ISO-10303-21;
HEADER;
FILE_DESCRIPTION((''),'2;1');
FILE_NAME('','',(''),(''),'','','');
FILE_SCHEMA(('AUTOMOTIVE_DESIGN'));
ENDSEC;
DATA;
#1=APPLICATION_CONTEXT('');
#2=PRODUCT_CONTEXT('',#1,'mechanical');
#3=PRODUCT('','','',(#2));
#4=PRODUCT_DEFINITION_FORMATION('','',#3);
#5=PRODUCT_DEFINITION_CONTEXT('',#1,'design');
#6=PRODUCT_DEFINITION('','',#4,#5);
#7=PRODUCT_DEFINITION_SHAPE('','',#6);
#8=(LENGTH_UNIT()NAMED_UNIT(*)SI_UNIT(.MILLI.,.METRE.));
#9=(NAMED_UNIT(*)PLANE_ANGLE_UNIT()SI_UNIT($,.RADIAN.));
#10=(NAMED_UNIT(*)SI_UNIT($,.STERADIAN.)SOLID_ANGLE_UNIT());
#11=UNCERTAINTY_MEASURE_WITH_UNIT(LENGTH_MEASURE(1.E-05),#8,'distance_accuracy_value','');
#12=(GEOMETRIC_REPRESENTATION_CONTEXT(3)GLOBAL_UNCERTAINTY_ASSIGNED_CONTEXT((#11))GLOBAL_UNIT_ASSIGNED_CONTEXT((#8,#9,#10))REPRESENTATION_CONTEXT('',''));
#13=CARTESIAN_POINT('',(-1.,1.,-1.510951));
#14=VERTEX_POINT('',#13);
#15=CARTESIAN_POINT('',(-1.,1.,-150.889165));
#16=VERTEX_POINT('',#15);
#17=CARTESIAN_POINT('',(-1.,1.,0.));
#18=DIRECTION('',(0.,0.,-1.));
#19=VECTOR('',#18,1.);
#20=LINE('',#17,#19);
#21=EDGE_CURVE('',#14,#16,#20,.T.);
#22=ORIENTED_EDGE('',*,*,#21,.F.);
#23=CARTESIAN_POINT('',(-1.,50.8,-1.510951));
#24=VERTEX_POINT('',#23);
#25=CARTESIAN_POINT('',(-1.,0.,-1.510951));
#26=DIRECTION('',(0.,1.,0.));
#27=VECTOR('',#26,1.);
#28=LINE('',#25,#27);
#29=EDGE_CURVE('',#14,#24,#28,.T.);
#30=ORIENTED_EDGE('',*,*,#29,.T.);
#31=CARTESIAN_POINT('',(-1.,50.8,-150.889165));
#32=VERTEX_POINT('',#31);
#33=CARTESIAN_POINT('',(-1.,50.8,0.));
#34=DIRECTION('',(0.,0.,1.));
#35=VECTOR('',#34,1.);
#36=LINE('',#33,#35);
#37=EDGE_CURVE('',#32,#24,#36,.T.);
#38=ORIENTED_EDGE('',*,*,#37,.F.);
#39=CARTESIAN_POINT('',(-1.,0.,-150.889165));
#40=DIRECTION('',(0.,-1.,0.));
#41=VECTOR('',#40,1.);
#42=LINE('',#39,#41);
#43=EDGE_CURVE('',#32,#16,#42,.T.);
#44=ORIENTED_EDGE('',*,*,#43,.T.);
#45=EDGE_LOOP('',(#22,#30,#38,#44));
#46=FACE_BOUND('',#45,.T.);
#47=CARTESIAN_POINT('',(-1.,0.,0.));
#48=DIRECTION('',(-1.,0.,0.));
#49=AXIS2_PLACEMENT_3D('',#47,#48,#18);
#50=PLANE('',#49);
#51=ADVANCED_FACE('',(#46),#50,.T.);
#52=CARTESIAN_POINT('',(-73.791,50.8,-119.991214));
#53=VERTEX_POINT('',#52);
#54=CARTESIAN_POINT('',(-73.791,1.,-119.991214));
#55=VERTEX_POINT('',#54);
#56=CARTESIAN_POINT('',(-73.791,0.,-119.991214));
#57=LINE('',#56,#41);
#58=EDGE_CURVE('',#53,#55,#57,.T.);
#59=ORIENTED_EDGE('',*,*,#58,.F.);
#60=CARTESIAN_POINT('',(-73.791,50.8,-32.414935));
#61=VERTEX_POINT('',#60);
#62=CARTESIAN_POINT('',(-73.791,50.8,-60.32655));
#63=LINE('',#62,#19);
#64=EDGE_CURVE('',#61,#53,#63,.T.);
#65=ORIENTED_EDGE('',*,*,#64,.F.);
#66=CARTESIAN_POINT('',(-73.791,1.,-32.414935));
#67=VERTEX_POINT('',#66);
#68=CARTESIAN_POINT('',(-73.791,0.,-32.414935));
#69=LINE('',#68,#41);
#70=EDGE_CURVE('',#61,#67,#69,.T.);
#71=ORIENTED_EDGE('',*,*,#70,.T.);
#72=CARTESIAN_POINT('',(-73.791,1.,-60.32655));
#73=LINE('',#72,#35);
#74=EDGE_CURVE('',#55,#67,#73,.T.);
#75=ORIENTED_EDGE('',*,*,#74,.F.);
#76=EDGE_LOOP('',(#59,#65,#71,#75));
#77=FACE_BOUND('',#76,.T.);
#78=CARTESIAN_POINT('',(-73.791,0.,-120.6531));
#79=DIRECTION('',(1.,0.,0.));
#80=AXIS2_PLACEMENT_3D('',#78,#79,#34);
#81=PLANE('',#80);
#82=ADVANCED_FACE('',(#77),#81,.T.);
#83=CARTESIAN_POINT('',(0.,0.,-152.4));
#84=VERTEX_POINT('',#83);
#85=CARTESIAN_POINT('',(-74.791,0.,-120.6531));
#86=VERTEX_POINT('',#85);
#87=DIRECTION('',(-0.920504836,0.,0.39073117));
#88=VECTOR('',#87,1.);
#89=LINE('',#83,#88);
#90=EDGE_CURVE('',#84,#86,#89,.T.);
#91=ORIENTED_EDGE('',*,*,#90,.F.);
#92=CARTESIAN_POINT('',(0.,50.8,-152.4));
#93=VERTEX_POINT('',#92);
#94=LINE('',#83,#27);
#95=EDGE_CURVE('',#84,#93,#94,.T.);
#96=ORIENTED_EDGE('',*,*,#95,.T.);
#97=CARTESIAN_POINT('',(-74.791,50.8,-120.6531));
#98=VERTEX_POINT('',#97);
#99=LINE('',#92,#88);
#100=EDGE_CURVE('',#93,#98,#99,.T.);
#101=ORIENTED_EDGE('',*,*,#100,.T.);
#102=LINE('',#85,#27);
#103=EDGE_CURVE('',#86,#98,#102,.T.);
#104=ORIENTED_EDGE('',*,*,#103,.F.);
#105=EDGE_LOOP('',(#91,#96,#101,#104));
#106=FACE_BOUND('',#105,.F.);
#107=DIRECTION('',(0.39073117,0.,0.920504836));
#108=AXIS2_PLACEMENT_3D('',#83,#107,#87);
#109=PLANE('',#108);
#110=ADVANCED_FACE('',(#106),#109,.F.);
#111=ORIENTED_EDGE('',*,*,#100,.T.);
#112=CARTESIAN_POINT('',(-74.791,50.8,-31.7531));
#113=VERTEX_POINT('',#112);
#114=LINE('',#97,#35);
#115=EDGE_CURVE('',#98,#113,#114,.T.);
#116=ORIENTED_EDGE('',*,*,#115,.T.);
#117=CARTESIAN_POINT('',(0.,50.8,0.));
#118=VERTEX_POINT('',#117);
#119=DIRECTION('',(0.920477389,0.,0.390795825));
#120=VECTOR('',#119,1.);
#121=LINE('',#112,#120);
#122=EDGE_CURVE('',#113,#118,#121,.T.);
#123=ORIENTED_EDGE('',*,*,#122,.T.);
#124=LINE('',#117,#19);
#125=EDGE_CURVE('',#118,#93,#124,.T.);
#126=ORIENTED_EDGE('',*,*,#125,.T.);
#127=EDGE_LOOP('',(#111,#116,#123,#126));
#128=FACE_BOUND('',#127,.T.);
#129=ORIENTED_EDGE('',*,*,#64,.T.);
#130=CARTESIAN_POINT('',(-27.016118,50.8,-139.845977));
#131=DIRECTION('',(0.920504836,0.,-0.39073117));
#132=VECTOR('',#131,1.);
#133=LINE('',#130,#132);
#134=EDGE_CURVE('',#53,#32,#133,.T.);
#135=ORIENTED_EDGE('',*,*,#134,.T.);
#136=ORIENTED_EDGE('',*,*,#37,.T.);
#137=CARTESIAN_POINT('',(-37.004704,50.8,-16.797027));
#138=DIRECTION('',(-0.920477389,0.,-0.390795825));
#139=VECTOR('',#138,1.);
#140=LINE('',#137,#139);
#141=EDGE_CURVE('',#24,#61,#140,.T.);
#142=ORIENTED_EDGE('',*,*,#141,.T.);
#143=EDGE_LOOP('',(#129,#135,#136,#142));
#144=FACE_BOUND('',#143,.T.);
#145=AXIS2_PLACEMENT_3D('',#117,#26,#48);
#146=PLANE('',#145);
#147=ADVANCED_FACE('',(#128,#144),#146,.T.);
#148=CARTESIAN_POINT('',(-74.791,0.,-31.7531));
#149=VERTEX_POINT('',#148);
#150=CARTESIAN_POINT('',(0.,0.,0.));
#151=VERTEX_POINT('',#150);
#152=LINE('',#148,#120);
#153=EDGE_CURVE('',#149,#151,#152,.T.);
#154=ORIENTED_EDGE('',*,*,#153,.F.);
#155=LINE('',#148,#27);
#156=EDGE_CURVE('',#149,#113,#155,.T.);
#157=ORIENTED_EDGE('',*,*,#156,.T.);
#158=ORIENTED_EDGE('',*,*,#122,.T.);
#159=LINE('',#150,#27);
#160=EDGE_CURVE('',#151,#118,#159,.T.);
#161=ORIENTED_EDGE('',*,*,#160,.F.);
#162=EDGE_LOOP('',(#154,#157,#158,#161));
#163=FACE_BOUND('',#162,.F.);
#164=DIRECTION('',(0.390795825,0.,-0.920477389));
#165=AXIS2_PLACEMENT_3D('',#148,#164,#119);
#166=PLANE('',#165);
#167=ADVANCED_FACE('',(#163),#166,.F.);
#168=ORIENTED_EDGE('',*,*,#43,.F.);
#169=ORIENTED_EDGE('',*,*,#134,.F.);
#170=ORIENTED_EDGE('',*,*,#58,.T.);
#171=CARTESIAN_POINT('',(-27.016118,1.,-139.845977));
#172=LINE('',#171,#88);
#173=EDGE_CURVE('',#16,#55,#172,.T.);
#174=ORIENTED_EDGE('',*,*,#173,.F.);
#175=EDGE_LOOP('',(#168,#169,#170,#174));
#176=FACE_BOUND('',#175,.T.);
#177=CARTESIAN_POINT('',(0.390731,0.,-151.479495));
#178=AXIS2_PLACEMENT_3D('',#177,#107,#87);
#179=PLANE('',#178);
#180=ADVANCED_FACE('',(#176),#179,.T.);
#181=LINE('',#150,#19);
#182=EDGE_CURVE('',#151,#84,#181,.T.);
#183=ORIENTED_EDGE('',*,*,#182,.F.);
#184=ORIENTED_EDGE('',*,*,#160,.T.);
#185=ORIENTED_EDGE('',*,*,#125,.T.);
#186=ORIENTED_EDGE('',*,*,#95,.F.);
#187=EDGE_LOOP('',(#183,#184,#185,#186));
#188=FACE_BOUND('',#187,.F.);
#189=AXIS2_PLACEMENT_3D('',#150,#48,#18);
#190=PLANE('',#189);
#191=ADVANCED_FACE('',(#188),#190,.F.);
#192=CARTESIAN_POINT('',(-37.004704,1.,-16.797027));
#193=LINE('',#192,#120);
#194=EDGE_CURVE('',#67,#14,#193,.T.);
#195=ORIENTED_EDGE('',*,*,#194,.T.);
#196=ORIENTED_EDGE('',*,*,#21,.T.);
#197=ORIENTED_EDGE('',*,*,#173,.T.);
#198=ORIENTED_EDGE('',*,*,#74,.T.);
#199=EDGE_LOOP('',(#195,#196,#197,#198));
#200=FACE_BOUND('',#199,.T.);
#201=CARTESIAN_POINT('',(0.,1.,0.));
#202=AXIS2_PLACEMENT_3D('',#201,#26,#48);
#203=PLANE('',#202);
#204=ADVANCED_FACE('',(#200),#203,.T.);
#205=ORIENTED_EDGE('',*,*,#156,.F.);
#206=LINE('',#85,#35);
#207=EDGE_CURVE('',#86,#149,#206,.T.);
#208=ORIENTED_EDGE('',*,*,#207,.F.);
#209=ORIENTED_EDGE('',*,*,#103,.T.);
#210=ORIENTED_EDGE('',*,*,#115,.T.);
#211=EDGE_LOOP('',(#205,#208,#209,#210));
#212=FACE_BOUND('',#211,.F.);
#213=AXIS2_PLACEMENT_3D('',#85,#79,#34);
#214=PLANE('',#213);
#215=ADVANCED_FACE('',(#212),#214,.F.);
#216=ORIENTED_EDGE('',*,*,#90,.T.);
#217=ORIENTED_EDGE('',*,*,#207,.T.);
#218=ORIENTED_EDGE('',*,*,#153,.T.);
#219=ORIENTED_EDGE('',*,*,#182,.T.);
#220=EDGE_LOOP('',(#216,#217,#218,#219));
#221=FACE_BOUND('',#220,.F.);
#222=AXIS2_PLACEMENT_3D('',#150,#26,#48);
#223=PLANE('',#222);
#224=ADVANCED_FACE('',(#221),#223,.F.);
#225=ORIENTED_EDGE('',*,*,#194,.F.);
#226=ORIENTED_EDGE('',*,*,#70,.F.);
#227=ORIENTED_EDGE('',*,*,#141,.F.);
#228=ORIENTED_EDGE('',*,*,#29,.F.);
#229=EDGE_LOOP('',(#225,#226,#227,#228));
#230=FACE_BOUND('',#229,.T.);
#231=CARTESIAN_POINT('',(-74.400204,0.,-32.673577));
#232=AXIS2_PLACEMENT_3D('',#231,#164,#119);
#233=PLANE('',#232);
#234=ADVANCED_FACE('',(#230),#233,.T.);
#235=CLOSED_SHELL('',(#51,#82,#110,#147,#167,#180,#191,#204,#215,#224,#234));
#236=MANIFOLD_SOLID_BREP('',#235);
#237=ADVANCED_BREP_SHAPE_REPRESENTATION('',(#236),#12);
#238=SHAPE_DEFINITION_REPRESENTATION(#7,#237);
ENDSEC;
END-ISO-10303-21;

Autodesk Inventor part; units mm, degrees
ref_plane "YZ Plane" through (0, 0, 0) normal (1, 0, 0) x (0, 1, 0)
ref_plane "XZ Plane" through (0, 0, 0) normal (0, 1, 0) x (-1, 0, 0)
ref_plane "XY Plane" through (0, 0, 0) normal (0, 0, 1) x (1, 0, 0)
sketch "Sketch1" plane through (0, 0, 0) normal (0, 1, 0) x (-1, 0, 0)
  line L0 (0, 0) -> (0, -152.4)
  line L1 (0, -152.4) -> (74.791, -120.6531)
  line L2 (74.791, -120.6531) -> (74.791, -31.7531)
  line L3 (74.791, -31.7531) -> (0, 0)
  dimension "d5" = 152.4
  dimension "d6" = 81.25
  dimension "d7" = 67
  dimension "d8" = 88.9
extrude "Extrusion1" add sketch "Sketch1" along normal blind 50.8
shell "Shell1" thickness 1 removed faces 1 at (-24.9303, 50.8, -61.3844)
properties part number "footprint"
